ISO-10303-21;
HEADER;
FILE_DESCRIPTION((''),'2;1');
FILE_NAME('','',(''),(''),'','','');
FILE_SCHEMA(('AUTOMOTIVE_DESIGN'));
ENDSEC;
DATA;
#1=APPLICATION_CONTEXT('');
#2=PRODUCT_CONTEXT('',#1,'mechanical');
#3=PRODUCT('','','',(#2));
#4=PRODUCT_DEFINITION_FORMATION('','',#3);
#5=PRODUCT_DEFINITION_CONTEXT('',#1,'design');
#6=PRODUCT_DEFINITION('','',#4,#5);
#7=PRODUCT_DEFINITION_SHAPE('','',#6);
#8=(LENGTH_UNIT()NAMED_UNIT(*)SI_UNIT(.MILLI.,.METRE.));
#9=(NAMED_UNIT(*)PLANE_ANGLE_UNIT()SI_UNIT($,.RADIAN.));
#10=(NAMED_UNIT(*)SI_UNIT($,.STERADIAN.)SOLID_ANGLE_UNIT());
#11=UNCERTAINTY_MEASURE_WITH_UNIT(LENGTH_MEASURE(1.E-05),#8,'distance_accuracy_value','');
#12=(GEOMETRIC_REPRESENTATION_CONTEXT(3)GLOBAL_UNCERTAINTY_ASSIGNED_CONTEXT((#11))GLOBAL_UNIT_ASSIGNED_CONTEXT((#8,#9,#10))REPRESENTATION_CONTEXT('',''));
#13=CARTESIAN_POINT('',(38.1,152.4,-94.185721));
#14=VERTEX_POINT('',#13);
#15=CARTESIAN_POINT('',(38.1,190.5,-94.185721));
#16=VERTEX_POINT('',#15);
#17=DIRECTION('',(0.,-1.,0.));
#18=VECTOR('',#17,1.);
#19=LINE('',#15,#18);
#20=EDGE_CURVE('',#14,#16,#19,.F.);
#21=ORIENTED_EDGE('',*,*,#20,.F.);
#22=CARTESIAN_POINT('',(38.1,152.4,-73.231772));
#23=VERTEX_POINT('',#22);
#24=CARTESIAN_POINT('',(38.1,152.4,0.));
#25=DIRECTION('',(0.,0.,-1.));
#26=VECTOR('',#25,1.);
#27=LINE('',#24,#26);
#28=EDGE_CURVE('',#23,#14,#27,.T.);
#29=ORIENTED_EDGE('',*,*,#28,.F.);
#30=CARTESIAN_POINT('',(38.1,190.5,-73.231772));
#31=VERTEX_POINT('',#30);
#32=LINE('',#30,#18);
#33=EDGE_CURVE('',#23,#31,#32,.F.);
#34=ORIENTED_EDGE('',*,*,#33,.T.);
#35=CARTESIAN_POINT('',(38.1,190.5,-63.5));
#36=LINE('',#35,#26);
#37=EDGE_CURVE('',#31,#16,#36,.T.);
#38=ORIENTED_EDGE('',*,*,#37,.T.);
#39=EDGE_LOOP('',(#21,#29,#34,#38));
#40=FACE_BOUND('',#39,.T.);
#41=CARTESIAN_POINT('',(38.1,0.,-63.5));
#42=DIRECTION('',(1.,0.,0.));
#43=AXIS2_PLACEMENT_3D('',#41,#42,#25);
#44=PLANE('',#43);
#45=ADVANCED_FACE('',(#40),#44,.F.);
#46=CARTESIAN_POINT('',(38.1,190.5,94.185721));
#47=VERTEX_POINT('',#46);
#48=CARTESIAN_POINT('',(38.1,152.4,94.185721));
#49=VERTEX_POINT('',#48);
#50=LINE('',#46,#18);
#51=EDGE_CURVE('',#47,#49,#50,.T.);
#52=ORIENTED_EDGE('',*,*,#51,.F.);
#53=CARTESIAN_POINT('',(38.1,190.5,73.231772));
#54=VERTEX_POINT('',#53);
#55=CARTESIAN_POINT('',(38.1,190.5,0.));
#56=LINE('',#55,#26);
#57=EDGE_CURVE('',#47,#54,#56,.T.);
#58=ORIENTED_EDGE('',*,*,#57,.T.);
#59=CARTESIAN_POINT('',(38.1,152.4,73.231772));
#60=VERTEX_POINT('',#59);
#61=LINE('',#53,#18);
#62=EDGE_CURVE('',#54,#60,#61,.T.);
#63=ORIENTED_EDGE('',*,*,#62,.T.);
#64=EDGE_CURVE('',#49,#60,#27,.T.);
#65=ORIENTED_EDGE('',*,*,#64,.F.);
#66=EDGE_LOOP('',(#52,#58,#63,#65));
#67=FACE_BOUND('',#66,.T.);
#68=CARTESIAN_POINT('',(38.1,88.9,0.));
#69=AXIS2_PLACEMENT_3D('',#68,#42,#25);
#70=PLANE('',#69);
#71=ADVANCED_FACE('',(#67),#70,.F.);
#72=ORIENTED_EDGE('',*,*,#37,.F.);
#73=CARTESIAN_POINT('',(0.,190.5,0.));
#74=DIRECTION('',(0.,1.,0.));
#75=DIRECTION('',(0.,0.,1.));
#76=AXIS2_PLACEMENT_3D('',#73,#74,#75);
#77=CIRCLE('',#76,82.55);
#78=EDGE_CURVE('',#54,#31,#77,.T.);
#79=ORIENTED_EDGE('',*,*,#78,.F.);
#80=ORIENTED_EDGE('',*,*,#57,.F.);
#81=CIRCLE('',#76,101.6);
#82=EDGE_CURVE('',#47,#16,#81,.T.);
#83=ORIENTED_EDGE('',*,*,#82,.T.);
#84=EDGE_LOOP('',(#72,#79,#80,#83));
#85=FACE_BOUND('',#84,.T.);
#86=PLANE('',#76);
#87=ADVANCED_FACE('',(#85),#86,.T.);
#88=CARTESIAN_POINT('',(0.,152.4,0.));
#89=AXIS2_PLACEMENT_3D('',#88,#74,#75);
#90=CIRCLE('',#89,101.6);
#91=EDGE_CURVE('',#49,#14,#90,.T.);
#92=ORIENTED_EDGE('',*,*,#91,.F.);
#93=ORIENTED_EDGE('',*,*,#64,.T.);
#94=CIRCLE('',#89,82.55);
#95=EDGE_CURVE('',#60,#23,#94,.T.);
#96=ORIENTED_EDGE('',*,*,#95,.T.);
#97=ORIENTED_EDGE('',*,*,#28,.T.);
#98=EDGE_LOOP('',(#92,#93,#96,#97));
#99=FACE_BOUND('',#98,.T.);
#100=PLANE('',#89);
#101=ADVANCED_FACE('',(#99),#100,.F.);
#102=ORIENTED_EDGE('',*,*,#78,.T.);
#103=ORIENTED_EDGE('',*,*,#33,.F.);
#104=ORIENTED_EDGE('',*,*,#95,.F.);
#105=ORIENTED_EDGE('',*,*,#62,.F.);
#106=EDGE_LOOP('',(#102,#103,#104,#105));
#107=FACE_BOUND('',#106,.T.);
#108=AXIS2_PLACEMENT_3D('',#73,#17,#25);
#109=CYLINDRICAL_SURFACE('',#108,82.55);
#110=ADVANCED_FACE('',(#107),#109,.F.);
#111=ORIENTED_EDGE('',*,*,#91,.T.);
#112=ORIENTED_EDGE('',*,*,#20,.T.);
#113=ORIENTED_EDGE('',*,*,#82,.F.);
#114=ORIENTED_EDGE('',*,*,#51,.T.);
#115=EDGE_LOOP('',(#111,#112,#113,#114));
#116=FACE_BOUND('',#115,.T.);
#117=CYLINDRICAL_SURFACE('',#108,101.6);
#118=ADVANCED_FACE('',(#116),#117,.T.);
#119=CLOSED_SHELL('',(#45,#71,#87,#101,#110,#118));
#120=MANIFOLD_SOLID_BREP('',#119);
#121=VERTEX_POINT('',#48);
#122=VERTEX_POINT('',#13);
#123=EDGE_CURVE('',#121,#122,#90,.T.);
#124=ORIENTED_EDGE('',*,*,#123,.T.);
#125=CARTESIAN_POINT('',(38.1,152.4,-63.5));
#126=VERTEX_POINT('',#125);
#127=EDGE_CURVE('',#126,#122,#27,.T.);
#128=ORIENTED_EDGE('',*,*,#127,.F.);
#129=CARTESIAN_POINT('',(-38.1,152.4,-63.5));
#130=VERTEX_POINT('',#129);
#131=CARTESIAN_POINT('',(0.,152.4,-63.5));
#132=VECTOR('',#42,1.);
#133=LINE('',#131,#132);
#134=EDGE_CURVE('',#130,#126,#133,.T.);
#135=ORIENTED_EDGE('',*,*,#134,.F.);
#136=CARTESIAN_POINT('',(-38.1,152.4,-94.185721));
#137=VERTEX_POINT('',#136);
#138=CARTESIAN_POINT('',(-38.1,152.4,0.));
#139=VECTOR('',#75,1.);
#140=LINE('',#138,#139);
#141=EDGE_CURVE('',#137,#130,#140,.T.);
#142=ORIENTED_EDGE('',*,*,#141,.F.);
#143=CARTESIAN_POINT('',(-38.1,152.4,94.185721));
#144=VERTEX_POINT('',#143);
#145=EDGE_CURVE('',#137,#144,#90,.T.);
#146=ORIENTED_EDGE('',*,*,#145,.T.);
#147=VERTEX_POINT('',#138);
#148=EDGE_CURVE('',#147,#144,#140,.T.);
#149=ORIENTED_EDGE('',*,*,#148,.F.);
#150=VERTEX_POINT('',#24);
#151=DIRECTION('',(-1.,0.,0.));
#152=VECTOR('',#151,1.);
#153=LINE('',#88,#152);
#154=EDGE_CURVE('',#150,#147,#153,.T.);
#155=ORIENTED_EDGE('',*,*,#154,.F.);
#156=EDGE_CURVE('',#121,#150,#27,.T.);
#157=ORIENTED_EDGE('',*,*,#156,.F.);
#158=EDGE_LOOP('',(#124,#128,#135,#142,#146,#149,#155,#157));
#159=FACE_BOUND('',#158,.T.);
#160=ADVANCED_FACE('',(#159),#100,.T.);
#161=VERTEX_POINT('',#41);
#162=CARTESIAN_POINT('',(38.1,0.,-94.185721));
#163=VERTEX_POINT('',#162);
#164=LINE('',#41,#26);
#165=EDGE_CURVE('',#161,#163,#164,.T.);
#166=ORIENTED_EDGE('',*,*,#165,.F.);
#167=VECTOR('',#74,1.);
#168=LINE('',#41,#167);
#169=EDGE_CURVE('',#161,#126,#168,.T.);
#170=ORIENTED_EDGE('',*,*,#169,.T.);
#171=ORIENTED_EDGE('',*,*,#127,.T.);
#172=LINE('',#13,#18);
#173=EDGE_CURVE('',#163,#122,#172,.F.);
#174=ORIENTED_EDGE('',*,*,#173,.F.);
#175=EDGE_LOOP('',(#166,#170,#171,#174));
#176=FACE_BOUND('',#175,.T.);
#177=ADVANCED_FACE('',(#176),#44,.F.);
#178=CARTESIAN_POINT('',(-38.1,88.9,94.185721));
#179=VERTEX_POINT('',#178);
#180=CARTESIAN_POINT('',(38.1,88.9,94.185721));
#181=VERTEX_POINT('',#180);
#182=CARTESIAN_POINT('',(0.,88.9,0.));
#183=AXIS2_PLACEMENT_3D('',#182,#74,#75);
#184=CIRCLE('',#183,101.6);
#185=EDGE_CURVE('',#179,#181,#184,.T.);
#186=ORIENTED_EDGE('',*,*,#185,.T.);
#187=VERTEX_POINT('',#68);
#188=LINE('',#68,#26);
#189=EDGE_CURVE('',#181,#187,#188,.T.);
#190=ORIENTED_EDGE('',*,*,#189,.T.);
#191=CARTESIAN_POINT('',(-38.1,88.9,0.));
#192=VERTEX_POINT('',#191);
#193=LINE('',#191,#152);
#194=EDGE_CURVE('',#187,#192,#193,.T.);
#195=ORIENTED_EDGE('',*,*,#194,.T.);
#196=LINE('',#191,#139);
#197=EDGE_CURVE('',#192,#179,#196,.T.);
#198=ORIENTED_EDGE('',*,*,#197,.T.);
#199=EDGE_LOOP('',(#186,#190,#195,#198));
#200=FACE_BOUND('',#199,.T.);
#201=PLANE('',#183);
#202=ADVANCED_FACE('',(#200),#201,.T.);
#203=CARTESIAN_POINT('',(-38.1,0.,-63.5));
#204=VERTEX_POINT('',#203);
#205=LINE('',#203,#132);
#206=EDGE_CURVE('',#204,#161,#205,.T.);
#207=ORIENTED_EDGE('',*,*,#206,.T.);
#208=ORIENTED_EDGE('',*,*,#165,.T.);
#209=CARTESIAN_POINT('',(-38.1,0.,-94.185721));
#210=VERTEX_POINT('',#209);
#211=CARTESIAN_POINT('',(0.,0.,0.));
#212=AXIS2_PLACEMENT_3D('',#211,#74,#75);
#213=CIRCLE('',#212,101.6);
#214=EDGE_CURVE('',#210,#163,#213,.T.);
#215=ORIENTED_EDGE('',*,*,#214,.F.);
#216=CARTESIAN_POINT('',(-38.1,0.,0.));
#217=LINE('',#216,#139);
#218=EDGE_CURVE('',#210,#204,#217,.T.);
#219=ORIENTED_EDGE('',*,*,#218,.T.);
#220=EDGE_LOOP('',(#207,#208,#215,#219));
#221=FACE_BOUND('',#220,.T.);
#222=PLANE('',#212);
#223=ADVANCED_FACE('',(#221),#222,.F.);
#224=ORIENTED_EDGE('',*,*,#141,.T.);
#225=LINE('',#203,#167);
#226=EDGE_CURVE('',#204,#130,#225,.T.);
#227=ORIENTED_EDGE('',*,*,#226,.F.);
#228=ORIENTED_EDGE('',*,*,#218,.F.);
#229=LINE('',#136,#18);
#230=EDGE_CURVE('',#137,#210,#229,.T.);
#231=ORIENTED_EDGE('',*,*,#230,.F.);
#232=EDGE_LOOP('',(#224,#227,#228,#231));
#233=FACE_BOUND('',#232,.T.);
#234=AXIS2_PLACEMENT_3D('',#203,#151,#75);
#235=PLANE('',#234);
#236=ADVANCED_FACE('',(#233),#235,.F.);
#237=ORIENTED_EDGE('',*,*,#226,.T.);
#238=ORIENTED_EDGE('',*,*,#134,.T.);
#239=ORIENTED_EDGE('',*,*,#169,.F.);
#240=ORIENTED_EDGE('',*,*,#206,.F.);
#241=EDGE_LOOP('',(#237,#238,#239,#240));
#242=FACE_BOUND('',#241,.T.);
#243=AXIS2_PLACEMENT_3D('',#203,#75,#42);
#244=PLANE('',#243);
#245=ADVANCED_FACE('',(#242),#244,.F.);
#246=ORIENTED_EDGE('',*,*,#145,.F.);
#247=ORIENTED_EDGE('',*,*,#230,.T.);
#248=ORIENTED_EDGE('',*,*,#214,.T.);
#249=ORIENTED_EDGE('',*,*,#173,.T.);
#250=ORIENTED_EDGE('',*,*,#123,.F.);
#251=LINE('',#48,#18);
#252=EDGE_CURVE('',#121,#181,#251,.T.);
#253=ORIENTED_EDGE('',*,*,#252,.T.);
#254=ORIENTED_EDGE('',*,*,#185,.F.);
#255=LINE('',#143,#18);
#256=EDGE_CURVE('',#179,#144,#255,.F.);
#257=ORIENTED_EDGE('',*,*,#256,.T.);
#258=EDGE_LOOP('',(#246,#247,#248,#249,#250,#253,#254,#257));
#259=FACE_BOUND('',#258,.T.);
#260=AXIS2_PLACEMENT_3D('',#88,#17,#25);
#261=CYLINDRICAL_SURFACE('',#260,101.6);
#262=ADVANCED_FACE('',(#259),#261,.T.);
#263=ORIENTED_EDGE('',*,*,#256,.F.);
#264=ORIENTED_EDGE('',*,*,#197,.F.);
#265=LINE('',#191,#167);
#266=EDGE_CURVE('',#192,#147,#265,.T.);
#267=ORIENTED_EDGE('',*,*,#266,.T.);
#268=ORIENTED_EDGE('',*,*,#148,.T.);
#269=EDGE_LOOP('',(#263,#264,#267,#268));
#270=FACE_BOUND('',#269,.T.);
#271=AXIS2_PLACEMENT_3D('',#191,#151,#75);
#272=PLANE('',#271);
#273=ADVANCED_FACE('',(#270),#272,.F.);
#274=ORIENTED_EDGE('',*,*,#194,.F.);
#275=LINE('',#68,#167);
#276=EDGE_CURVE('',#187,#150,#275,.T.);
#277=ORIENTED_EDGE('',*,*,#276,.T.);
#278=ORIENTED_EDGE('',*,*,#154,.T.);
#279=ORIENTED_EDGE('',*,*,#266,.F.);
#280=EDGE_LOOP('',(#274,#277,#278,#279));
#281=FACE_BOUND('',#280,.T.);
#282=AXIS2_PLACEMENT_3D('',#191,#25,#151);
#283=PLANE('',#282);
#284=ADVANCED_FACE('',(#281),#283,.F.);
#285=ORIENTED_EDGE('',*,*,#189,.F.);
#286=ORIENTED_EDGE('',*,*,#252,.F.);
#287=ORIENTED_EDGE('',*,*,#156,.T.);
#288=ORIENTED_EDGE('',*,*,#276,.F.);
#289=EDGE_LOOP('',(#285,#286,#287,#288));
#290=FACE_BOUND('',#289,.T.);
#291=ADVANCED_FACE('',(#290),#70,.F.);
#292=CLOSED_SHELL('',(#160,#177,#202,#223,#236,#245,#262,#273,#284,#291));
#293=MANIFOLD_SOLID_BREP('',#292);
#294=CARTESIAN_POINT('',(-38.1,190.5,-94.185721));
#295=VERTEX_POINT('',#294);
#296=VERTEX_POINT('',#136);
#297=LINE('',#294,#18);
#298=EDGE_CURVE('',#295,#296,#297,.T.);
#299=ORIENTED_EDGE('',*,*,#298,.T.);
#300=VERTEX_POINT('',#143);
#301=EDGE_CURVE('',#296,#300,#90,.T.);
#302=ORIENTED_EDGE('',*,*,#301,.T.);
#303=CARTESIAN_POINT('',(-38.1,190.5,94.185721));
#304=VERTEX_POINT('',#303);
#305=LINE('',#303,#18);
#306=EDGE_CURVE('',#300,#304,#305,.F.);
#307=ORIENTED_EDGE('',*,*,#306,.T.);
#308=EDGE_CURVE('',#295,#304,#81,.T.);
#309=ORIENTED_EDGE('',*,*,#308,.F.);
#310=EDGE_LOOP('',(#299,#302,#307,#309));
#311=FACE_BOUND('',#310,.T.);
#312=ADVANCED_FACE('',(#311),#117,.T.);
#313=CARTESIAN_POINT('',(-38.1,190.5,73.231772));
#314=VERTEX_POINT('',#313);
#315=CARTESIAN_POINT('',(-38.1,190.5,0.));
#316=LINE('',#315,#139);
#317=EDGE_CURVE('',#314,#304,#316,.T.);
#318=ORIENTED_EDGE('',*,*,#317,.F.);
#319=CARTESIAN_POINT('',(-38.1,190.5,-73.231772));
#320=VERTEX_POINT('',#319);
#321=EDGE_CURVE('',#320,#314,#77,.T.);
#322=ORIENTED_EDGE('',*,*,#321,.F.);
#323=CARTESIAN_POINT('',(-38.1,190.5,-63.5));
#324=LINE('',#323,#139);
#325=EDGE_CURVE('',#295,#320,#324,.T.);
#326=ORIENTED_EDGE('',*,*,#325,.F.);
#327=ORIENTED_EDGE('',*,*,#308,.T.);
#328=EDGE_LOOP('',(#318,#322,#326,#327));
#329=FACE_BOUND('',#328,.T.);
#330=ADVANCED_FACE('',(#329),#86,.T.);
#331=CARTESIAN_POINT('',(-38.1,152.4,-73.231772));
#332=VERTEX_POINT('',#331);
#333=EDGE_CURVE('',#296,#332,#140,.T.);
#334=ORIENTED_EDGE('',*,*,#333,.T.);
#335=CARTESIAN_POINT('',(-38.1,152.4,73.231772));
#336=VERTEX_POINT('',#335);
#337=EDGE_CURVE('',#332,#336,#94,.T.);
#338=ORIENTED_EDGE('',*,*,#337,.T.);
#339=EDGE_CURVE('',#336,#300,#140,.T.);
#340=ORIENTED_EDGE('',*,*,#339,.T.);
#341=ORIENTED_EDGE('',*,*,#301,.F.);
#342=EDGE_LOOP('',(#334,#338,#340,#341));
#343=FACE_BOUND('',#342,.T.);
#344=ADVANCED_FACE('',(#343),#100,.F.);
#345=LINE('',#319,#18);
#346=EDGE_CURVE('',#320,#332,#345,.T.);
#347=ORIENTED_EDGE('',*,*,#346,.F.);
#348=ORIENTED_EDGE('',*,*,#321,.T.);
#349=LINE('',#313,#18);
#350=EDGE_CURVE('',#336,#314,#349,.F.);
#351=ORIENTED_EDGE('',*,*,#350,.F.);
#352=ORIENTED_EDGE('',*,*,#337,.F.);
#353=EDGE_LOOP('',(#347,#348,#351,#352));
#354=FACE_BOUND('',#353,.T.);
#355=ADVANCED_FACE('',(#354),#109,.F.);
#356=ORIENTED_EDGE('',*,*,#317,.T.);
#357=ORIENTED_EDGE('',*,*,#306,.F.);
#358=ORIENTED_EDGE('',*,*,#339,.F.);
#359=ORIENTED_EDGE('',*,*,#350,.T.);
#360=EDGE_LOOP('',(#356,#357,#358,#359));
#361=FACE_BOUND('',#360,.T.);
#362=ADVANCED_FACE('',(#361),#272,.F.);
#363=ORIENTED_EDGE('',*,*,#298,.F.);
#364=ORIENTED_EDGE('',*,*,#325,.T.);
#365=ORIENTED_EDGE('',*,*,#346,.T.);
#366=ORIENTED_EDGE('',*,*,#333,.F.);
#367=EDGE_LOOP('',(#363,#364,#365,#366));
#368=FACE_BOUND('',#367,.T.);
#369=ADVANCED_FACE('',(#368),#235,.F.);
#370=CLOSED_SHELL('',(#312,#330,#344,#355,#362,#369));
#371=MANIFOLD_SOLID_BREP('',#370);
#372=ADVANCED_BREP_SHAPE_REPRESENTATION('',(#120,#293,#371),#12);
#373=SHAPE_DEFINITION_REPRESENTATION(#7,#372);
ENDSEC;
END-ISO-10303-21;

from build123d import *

# Parameters (mm, degrees)
SKETCH2_R           = 101.6
BOSS_EXTRUDE1_DEPTH = 152.4
SKETCH3_R           = 101.6
SKETCH3_R_2         = 82.55
BOSS_EXTRUDE2_DEPTH = 38.1
SKETCH4_W           = 76.2
SKETCH4_H           = 101.6
CUT_EXTRUDE1_DEPTH  = 101.6
SKETCH5_W           = 76.2
SKETCH5_H           = 38.1
CUT_EXTRUDE2_DEPTH  = 239.611336696


with BuildPart() as part:
    # Sketch2 → Boss-Extrude1 (new body)
    with BuildSketch(Plane(origin=(0, 0, 0), x_dir=(1, 0, 0), z_dir=(0, 1, 0))):
        with Locations(Location((0, 0, 0), (0, 0, 90))):
            Circle(SKETCH2_R)
    extrude(amount=BOSS_EXTRUDE1_DEPTH)


with BuildPart() as body_2:
    # Sketch3 → Boss-Extrude2 (new body)
    with BuildSketch(Plane(origin=(0, 152.4, 0), x_dir=(1, 0, 0), z_dir=(0, 1, 0))):
        with Locations(Location((0, 0, 0), (0, 0, 90))):
            Circle(SKETCH3_R)
        with Locations(Location((0, 0, 0), (0, 0, 90))):
            Circle(SKETCH3_R_2, mode=Mode.SUBTRACT)
    extrude(amount=BOSS_EXTRUDE2_DEPTH)


with BuildPart() as cut_extrude1_tool:
    # Sketch4 → Cut-Extrude1 (new body)
    with BuildSketch(Plane(origin=(0, 190.5, 0), x_dir=(1, 0, 0), z_dir=(0, 1, 0))):
        with Locations((0, -50.8)):
            Rectangle(SKETCH4_W, SKETCH4_H)
    extrude(amount=-CUT_EXTRUDE1_DEPTH)


with BuildPart() as part_1:
    add(part.part)

    # Cut-Extrude1: cut by cut_extrude1_tool
    add(cut_extrude1_tool.part, mode=Mode.SUBTRACT)


with BuildPart() as body_2_1:
    add(body_2.part)

    # Cut-Extrude1: cut by cut_extrude1_tool
    add(cut_extrude1_tool.part, mode=Mode.SUBTRACT)


with BuildPart() as cut_extrude2_tool:
    # Sketch5 → Cut-Extrude2 (new, through all)
    with BuildSketch(Plane(origin=(0, 190.5, 0), x_dir=(1, 0, 0), z_dir=(0, 1, 0))):
        with Locations((0, 82.55)):
            Rectangle(SKETCH5_W, SKETCH5_H)
    extrude(amount=-CUT_EXTRUDE2_DEPTH)


with BuildPart() as part_2:
    add(part_1.part)

    # Cut-Extrude2: cut by cut_extrude2_tool
    add(cut_extrude2_tool.part, mode=Mode.SUBTRACT)


with BuildPart() as body_2_2:
    add(body_2_1.part)

    # Cut-Extrude2: cut by cut_extrude2_tool
    add(cut_extrude2_tool.part, mode=Mode.SUBTRACT)


solid = Compound([part_2.part, body_2_2.part])
